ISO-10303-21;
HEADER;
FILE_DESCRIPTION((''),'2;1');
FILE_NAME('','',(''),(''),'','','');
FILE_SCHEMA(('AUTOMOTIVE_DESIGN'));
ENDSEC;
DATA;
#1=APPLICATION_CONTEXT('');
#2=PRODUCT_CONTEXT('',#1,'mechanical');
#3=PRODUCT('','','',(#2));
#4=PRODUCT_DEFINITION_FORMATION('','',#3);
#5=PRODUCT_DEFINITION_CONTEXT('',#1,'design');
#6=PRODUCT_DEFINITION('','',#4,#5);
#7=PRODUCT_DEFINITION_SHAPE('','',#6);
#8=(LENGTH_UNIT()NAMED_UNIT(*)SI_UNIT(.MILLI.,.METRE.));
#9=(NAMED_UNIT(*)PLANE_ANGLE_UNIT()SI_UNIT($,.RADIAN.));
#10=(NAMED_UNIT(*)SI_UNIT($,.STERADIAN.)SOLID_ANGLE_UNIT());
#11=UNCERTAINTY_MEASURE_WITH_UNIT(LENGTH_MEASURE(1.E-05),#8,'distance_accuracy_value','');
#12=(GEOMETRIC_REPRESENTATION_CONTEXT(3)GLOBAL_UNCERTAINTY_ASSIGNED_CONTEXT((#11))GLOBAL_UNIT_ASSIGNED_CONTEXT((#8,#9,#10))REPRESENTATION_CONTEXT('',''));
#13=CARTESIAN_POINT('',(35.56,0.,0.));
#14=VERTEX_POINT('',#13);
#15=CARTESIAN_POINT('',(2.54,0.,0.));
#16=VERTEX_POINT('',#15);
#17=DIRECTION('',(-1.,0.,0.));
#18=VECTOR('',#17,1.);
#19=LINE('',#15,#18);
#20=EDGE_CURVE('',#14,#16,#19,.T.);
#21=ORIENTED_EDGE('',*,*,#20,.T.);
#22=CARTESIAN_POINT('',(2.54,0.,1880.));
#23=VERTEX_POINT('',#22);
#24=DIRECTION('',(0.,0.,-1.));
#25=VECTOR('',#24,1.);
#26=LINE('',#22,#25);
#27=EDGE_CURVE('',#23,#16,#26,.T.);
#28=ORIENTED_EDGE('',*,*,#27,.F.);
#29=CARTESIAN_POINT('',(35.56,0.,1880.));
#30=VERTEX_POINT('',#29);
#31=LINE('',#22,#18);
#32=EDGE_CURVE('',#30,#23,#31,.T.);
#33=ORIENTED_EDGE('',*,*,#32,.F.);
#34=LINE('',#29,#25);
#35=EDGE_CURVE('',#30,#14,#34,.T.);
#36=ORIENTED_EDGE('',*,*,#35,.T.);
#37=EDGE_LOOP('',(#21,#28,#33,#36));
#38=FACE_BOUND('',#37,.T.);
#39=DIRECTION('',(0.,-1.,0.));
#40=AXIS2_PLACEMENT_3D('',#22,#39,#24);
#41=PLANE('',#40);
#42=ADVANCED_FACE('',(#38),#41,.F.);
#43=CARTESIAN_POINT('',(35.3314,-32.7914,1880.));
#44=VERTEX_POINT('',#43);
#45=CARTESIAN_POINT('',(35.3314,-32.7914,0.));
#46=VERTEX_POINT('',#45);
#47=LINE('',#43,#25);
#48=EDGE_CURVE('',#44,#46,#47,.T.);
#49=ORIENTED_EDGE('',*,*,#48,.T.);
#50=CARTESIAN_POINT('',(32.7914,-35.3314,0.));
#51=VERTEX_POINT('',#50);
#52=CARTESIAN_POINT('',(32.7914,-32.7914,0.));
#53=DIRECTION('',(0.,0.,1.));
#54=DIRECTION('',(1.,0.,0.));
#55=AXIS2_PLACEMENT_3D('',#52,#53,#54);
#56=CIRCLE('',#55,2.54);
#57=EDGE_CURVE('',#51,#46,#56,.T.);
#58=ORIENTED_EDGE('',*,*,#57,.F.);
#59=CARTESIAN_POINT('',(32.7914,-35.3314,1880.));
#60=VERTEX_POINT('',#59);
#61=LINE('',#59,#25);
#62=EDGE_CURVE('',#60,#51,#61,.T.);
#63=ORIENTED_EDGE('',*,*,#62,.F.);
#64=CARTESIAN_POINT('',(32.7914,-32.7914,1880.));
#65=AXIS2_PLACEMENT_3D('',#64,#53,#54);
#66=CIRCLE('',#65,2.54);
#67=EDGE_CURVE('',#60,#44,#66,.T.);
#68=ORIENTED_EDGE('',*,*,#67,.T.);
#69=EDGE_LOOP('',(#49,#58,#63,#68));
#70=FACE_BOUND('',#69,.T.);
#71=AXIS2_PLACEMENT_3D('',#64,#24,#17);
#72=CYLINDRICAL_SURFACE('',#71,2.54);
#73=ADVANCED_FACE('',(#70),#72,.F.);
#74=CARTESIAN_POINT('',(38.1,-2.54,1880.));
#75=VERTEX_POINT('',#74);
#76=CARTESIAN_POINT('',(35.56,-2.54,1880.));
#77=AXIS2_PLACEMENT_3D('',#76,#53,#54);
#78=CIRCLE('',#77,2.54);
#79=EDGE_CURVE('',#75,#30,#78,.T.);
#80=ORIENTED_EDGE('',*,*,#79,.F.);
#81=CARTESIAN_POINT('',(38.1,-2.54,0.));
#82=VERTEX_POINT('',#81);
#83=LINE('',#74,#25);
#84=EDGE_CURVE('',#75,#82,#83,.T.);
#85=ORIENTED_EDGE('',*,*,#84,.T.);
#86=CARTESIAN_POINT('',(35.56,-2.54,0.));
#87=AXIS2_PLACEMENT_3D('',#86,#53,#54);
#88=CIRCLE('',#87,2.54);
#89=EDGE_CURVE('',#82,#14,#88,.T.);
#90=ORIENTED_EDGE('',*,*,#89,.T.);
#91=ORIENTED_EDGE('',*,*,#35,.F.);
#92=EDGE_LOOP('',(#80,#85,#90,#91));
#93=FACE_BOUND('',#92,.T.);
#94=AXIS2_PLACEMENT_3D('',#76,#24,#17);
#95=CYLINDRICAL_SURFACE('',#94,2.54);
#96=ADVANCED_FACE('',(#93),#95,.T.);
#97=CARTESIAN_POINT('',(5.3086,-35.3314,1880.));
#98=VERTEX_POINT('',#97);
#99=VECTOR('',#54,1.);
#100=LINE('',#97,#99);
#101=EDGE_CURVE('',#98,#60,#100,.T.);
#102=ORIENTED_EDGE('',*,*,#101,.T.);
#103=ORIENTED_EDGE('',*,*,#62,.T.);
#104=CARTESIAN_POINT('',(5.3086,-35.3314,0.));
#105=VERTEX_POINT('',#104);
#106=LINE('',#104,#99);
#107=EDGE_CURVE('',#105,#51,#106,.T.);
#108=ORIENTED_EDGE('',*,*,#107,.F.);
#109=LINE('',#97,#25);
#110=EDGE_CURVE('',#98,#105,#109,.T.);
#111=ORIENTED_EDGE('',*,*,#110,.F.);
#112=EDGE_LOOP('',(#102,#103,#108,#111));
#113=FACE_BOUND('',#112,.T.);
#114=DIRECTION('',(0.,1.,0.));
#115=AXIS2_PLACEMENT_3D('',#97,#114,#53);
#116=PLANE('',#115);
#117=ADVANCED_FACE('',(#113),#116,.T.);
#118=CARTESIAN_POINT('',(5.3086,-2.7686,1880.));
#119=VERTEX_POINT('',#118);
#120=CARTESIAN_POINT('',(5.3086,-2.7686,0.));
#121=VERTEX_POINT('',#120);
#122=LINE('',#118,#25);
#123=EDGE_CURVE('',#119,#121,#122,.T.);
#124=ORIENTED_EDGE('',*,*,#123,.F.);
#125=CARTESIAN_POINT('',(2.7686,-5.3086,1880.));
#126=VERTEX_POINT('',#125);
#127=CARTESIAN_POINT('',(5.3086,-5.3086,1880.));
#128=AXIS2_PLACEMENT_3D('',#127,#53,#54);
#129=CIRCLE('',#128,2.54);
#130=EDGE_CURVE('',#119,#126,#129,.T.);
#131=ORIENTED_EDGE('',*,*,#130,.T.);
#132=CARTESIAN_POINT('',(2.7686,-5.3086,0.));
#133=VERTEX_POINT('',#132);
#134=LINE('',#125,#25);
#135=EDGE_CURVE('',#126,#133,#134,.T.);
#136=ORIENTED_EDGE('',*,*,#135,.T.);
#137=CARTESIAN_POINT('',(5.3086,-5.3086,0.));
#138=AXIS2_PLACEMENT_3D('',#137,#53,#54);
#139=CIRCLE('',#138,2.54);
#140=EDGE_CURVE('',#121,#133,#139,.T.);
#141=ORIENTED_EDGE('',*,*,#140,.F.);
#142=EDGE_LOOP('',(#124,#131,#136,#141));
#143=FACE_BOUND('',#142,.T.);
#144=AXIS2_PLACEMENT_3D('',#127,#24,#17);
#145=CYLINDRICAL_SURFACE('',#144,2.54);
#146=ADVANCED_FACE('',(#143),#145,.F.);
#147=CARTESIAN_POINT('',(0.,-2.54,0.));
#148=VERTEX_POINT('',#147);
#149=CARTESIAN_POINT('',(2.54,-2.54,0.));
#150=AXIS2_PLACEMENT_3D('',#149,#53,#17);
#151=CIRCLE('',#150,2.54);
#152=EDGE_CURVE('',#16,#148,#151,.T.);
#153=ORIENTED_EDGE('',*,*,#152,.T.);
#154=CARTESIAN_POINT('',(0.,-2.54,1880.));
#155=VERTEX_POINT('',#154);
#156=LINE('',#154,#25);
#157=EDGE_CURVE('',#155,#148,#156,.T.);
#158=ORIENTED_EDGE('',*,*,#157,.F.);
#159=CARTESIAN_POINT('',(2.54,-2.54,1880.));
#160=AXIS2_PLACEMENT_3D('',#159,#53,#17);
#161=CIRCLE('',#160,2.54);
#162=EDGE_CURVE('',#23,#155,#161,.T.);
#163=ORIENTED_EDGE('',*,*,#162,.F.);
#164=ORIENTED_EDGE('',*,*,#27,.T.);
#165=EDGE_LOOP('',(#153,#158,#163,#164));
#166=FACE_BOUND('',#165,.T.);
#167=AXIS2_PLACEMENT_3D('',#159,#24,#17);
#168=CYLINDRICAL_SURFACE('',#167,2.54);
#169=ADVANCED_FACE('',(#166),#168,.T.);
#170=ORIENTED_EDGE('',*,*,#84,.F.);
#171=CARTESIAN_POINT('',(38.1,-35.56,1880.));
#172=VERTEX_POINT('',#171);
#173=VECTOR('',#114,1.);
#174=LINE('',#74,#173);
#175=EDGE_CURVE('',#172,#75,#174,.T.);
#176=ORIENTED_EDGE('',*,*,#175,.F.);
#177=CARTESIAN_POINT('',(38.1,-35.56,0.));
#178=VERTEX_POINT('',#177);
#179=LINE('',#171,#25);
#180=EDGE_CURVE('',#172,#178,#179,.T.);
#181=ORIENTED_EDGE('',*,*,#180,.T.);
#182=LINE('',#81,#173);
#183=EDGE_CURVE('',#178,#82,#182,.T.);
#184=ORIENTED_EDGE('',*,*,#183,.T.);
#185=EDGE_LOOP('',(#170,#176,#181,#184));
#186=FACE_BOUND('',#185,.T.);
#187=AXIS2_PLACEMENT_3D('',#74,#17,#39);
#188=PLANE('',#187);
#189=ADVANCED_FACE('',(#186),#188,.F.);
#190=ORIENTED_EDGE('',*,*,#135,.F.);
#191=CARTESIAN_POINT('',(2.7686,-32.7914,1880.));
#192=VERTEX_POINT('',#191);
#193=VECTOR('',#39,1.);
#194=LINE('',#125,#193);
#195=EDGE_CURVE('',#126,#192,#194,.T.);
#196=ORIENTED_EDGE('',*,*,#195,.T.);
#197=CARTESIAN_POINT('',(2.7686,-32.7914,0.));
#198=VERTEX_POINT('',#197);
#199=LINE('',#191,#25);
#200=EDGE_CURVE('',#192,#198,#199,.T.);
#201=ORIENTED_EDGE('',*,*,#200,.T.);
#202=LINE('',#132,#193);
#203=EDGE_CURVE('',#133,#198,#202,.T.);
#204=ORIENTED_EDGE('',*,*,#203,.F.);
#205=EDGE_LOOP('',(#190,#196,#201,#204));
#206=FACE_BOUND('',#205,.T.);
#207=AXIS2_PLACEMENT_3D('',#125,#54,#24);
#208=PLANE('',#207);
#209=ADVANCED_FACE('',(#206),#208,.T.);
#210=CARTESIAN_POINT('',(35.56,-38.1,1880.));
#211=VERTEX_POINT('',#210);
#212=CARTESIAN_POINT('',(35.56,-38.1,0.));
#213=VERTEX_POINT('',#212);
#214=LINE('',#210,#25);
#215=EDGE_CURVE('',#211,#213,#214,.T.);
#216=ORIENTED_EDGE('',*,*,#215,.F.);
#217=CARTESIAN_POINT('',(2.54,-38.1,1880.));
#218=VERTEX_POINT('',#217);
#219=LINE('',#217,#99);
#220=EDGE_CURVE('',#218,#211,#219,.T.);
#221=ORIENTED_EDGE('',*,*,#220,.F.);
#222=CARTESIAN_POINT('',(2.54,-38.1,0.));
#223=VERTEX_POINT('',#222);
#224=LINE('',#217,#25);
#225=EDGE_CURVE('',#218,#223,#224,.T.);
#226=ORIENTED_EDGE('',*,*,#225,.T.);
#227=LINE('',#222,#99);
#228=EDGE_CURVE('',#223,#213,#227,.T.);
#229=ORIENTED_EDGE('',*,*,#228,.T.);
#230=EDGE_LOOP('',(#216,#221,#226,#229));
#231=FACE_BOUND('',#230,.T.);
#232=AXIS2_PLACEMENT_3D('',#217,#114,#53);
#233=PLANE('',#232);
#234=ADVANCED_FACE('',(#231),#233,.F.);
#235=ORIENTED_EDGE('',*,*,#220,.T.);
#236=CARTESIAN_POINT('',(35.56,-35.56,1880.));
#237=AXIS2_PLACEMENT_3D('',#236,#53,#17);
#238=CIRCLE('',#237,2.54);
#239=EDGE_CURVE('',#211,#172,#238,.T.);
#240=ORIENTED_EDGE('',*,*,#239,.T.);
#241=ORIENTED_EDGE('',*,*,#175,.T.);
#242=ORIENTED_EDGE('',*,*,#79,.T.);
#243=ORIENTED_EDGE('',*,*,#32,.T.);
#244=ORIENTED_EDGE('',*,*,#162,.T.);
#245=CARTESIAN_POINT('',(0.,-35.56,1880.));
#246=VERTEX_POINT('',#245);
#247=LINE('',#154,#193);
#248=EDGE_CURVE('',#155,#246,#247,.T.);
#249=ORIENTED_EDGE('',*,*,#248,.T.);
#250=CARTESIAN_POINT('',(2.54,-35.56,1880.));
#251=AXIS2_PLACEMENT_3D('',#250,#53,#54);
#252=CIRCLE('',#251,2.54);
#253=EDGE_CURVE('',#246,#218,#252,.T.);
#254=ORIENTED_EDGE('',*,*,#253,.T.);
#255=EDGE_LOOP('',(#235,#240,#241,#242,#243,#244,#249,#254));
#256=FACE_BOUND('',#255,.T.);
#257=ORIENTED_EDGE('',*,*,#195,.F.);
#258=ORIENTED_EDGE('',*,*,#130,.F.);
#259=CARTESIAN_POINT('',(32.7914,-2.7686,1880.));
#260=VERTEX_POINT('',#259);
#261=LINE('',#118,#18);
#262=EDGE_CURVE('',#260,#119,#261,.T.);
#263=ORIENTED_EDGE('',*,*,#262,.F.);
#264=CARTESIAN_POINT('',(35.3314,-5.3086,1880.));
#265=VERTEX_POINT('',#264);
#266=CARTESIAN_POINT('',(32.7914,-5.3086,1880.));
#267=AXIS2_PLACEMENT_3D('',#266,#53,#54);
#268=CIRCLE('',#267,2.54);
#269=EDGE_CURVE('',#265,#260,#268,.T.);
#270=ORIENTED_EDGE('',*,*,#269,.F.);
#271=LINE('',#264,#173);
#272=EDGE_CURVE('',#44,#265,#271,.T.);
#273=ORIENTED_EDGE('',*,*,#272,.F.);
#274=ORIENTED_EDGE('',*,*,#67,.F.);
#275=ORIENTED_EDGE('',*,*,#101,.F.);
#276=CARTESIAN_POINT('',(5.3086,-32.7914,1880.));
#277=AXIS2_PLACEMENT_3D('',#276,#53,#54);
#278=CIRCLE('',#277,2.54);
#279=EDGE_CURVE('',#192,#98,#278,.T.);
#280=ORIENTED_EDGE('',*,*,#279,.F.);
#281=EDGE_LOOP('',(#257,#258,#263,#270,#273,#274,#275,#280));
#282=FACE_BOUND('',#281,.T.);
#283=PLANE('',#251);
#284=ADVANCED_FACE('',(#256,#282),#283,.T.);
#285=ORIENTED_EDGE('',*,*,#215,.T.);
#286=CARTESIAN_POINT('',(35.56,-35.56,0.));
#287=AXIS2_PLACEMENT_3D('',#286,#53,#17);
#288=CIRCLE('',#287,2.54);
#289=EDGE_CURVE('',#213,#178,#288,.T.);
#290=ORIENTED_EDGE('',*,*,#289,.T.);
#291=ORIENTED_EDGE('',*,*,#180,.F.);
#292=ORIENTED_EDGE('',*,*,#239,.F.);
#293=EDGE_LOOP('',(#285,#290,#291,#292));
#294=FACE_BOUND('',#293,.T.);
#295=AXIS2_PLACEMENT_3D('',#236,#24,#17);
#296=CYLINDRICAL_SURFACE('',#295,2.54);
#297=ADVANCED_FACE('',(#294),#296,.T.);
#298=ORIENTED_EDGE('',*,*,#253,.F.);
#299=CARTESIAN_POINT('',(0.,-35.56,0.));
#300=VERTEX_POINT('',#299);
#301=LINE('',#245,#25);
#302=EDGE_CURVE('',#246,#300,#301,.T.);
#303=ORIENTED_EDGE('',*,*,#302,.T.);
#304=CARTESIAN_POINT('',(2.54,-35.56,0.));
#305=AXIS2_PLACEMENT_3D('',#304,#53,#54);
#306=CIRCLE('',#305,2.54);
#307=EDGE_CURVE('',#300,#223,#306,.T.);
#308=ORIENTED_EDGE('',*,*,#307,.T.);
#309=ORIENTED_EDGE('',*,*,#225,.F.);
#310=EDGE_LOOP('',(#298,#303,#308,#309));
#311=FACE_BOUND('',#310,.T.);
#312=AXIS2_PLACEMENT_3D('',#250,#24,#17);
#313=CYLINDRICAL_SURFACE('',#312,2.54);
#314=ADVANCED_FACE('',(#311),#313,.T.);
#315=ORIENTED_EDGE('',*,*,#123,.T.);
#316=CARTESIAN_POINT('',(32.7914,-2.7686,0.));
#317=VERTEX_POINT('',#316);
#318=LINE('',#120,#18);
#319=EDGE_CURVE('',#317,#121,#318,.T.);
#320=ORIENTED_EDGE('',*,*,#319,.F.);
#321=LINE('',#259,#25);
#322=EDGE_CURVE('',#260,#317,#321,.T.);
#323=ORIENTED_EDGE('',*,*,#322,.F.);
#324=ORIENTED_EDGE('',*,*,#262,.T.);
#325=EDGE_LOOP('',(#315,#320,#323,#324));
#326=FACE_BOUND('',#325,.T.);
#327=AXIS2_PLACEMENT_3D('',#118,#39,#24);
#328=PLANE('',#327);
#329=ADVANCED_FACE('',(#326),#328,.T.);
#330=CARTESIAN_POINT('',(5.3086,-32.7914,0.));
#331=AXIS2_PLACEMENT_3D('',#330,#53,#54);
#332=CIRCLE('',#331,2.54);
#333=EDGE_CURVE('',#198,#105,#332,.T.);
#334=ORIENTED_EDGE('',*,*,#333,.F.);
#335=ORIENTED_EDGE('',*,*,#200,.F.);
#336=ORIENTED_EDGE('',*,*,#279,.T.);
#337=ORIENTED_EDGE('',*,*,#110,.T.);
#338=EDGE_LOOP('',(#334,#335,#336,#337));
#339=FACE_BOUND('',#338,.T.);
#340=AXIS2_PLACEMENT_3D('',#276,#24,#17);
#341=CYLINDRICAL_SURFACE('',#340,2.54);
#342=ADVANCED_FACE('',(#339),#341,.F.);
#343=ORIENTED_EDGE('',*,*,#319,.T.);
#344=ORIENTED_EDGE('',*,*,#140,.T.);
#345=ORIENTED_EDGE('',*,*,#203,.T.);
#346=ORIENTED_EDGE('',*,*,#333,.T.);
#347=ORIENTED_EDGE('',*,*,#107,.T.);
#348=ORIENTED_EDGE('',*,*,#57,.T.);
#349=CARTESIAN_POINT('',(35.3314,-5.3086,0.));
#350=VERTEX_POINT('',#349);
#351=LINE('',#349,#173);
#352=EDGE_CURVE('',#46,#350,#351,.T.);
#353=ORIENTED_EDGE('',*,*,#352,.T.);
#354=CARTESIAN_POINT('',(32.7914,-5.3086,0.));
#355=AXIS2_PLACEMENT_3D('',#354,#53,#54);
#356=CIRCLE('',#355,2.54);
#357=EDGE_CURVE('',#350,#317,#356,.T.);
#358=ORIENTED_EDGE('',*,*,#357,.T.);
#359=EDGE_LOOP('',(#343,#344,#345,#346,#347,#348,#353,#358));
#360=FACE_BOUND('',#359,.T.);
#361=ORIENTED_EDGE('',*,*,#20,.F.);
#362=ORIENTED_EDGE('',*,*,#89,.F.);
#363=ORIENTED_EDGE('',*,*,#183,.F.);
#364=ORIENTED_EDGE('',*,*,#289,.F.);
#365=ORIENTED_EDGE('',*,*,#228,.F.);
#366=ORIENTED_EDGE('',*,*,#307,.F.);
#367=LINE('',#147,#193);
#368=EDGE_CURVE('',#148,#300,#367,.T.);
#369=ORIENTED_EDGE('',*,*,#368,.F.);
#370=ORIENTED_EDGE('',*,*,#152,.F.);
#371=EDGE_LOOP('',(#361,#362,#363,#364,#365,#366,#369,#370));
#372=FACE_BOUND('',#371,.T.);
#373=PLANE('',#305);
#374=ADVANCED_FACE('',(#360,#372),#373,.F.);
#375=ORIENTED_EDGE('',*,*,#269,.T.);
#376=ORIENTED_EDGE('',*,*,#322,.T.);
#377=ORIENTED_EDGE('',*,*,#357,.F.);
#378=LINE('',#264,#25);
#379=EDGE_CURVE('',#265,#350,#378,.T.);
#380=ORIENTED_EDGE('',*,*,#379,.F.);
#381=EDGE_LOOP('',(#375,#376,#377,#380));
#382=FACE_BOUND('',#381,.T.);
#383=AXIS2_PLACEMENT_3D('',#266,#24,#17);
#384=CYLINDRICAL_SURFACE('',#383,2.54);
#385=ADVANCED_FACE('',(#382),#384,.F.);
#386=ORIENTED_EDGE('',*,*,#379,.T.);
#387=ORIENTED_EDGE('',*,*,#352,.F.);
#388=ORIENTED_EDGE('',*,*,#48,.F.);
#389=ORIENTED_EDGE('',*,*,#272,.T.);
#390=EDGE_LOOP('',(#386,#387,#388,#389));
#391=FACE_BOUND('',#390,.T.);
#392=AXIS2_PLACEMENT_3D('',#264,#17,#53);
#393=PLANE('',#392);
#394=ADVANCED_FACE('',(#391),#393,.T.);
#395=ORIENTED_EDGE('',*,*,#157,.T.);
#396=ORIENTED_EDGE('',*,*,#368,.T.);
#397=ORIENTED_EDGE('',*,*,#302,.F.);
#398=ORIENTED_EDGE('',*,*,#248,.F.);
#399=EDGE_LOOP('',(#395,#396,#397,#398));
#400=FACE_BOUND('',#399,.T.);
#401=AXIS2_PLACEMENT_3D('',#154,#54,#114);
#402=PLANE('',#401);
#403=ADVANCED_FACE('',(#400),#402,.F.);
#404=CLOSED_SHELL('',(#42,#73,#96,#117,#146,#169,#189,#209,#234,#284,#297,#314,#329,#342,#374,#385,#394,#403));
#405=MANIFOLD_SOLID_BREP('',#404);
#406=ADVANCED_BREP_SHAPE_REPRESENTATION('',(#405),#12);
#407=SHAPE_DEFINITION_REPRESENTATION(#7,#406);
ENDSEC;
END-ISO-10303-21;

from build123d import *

# Parameters (mm, degrees)
BOSS_EXTRUDE1_DEPTH = 1880


with BuildPart() as part:
    # Sketch1 → Boss-Extrude1 (new body)
    with BuildSketch(Plane.XY):
        with BuildLine():
            Line((2.54, 0), (35.56, 0))
            ThreePointArc((35.56, 0), (37.356051224, -0.743948776), (38.1, -2.54))
            Line((38.1, -2.54), (38.1, -35.56))
            ThreePointArc((38.1, -35.56), (37.356051224, -37.356051224), (35.56, -38.1))
            Line((35.56, -38.1), (2.54, -38.1))
            ThreePointArc((2.54, -38.1), (0.743948776, -37.356051224), (0, -35.56))
            Line((0, -35.56), (0, -2.54))
            ThreePointArc((0, -2.54), (0.743948776, -0.743948776), (2.54, 0))
        make_face()
        with BuildLine():
            Line((5.3086, -2.7686), (32.7914, -2.7686))
            ThreePointArc((32.7914, -2.7686), (34.587451224, -3.512548776), (35.3314, -5.3086))
            Line((35.3314, -5.3086), (35.3314, -32.7914))
            ThreePointArc((35.3314, -32.7914), (34.587451224, -34.587451224), (32.7914, -35.3314))
            Line((32.7914, -35.3314), (5.3086, -35.3314))
            ThreePointArc((5.3086, -35.3314), (3.512548776, -34.587451224), (2.7686, -32.7914))
            Line((2.7686, -32.7914), (2.7686, -5.3086))
            ThreePointArc((2.7686, -5.3086), (3.512548776, -3.512548776), (5.3086, -2.7686))
        make_face(mode=Mode.SUBTRACT)
    extrude(amount=BOSS_EXTRUDE1_DEPTH)


solid = part.part
